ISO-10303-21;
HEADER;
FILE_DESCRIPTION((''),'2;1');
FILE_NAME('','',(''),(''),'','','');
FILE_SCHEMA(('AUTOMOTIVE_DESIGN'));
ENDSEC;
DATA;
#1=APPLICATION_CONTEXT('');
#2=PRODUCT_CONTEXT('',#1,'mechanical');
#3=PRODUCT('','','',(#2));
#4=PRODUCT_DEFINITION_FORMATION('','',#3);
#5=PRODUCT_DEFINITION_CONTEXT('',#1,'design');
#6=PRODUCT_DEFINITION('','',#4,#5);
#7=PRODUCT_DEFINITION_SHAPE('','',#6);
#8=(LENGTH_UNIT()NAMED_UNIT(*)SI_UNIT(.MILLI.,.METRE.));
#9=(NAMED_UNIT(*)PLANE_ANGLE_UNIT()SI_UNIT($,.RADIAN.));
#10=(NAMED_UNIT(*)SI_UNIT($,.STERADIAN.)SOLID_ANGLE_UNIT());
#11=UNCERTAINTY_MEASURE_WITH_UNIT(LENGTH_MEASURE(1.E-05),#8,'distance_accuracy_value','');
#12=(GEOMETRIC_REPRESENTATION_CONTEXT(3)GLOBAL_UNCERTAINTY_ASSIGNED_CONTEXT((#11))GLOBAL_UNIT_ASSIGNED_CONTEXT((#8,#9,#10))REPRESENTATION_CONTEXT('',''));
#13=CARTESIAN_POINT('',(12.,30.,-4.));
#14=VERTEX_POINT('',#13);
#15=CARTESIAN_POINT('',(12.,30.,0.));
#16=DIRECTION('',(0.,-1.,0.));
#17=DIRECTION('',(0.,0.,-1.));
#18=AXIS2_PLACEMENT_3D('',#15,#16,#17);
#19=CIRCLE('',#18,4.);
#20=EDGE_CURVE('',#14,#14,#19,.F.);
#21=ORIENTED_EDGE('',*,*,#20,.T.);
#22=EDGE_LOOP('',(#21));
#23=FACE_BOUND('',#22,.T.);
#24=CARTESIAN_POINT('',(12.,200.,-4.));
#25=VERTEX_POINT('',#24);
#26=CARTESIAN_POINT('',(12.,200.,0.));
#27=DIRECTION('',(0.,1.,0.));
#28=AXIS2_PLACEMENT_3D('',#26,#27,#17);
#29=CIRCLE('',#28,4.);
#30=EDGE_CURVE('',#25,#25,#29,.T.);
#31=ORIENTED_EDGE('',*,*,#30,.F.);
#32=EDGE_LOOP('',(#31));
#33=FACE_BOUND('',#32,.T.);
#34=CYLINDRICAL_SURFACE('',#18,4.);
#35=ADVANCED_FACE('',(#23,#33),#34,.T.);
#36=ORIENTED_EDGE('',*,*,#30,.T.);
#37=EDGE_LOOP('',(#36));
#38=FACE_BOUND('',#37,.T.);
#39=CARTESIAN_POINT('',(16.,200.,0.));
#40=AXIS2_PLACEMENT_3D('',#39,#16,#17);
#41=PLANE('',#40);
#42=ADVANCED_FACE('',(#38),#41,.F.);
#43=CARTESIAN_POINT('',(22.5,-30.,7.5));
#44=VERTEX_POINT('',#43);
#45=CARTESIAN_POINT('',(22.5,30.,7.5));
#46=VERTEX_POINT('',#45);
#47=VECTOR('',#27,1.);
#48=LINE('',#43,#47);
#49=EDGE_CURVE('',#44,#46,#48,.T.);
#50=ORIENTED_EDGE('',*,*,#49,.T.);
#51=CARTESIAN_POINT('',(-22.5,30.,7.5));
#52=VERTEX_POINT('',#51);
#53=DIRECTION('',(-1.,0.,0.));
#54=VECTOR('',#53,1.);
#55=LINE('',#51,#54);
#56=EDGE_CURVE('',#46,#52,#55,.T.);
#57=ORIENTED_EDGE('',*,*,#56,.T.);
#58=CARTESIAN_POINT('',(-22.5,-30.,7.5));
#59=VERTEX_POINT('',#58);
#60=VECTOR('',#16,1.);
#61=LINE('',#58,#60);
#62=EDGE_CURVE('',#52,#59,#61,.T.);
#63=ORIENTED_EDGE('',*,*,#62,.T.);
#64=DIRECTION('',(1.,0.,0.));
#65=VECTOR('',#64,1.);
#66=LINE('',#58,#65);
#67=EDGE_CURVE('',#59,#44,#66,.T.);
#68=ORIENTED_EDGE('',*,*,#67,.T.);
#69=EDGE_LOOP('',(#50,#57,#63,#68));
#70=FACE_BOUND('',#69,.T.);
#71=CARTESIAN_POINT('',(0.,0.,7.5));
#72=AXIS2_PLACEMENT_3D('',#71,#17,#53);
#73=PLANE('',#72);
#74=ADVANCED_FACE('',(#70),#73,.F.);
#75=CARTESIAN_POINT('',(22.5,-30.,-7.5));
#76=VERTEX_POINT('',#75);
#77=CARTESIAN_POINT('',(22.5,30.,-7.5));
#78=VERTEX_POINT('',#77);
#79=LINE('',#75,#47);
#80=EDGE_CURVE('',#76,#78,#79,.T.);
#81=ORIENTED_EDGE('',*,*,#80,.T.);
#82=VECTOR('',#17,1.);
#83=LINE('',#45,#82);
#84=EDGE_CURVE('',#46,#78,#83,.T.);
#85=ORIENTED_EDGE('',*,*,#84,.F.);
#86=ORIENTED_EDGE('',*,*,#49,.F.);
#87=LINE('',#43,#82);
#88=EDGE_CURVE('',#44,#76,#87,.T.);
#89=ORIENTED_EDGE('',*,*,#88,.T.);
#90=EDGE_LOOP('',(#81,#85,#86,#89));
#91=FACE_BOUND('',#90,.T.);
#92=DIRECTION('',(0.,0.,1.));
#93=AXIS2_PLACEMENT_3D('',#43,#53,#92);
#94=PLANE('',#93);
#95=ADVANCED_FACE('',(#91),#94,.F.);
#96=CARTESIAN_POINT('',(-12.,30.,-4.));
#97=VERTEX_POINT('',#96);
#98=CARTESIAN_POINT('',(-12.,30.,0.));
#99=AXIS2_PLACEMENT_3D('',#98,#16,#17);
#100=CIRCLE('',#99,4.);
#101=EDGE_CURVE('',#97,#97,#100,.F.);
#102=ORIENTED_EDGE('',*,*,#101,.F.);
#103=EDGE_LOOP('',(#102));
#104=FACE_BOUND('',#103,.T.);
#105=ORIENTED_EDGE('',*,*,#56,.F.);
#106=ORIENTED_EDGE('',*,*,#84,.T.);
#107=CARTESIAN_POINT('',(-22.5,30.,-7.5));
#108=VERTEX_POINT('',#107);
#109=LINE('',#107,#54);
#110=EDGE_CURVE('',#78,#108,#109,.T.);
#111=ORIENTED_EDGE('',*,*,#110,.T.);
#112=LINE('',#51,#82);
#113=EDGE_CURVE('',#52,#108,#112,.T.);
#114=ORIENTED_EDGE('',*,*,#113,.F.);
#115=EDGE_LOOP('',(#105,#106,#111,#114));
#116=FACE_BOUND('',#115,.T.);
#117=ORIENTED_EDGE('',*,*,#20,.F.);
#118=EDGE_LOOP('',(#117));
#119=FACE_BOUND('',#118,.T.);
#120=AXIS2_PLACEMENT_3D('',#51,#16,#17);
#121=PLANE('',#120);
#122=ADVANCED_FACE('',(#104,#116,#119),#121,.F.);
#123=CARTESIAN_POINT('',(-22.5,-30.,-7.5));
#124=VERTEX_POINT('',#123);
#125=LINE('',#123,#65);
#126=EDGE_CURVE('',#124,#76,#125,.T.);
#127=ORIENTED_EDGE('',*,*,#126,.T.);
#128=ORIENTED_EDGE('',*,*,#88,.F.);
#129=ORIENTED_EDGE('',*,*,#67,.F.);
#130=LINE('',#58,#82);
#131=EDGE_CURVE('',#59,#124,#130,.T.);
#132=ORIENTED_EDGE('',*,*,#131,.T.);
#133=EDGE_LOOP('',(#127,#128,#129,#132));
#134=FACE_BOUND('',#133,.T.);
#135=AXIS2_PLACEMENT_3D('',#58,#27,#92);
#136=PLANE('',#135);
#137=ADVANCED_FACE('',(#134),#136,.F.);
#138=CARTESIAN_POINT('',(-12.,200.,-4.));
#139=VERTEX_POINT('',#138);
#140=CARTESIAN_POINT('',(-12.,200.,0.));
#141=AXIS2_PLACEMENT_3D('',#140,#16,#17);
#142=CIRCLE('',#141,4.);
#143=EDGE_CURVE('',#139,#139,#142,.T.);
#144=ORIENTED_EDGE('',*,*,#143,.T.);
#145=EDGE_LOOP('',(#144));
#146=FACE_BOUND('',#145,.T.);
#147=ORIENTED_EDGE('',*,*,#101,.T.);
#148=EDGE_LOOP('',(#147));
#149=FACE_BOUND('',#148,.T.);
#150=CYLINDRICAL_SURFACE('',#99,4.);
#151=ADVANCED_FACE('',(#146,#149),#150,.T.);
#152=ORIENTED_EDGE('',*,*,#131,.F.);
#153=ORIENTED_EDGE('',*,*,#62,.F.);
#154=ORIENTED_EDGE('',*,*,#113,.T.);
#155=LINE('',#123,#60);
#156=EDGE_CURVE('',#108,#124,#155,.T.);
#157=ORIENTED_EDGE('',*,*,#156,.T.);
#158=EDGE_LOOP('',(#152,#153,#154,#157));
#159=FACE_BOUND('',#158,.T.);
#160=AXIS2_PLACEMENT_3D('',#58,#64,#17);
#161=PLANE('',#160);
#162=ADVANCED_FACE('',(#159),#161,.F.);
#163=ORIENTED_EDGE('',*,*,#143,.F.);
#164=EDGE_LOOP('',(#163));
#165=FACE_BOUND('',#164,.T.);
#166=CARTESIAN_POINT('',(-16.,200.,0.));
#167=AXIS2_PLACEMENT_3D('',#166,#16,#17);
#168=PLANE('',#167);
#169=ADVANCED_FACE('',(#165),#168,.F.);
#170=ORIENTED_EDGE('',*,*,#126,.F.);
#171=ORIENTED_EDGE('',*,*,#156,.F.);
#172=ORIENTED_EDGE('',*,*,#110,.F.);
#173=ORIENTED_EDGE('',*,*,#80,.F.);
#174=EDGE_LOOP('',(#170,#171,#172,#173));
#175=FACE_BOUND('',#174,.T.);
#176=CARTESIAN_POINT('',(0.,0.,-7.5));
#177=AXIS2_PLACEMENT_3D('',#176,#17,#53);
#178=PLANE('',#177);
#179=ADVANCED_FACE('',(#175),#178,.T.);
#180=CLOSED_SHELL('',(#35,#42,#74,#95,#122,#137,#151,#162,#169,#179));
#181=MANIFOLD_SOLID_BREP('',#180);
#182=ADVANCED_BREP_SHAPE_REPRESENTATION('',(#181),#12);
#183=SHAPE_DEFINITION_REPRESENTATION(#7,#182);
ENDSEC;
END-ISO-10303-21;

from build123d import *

# Parameters (mm, degrees)
CROQUIS1_W              = 45
CROQUIS1_H              = 60
SALIENTE_EXTRUIR1_DEPTH = 7.5
CROQUIS2_W              = 4
CROQUIS2_H              = 170


with BuildPart() as part:
    # Croquis1 → Saliente-Extruir1 (new, symmetric)
    with BuildSketch(Plane.XY):
        Rectangle(CROQUIS1_W, CROQUIS1_H)
    extrude(amount=SALIENTE_EXTRUIR1_DEPTH, both=True)

    # Croquis2 → Revolución1 (revolve)
    with BuildSketch(Plane.XY, mode=Mode.PRIVATE) as revoluci_n1_sk:
        with Locations((-14, 115)):
            Rectangle(CROQUIS2_W, CROQUIS2_H)
    revoluci_n1 = revolve(revoluci_n1_sk.sketch.rotate(Axis((-12, 30, 0), (0, 1, 0)), 270), axis=Axis((-12, 30, 0), (0, 1, 0)))

    # Simetría1: Revolución1 across plane
    add(revoluci_n1.mirror(Plane(origin=(0, 0, 0), x_dir=(0, 0, 1), z_dir=(1, 0, 0))))


solid = part.part
